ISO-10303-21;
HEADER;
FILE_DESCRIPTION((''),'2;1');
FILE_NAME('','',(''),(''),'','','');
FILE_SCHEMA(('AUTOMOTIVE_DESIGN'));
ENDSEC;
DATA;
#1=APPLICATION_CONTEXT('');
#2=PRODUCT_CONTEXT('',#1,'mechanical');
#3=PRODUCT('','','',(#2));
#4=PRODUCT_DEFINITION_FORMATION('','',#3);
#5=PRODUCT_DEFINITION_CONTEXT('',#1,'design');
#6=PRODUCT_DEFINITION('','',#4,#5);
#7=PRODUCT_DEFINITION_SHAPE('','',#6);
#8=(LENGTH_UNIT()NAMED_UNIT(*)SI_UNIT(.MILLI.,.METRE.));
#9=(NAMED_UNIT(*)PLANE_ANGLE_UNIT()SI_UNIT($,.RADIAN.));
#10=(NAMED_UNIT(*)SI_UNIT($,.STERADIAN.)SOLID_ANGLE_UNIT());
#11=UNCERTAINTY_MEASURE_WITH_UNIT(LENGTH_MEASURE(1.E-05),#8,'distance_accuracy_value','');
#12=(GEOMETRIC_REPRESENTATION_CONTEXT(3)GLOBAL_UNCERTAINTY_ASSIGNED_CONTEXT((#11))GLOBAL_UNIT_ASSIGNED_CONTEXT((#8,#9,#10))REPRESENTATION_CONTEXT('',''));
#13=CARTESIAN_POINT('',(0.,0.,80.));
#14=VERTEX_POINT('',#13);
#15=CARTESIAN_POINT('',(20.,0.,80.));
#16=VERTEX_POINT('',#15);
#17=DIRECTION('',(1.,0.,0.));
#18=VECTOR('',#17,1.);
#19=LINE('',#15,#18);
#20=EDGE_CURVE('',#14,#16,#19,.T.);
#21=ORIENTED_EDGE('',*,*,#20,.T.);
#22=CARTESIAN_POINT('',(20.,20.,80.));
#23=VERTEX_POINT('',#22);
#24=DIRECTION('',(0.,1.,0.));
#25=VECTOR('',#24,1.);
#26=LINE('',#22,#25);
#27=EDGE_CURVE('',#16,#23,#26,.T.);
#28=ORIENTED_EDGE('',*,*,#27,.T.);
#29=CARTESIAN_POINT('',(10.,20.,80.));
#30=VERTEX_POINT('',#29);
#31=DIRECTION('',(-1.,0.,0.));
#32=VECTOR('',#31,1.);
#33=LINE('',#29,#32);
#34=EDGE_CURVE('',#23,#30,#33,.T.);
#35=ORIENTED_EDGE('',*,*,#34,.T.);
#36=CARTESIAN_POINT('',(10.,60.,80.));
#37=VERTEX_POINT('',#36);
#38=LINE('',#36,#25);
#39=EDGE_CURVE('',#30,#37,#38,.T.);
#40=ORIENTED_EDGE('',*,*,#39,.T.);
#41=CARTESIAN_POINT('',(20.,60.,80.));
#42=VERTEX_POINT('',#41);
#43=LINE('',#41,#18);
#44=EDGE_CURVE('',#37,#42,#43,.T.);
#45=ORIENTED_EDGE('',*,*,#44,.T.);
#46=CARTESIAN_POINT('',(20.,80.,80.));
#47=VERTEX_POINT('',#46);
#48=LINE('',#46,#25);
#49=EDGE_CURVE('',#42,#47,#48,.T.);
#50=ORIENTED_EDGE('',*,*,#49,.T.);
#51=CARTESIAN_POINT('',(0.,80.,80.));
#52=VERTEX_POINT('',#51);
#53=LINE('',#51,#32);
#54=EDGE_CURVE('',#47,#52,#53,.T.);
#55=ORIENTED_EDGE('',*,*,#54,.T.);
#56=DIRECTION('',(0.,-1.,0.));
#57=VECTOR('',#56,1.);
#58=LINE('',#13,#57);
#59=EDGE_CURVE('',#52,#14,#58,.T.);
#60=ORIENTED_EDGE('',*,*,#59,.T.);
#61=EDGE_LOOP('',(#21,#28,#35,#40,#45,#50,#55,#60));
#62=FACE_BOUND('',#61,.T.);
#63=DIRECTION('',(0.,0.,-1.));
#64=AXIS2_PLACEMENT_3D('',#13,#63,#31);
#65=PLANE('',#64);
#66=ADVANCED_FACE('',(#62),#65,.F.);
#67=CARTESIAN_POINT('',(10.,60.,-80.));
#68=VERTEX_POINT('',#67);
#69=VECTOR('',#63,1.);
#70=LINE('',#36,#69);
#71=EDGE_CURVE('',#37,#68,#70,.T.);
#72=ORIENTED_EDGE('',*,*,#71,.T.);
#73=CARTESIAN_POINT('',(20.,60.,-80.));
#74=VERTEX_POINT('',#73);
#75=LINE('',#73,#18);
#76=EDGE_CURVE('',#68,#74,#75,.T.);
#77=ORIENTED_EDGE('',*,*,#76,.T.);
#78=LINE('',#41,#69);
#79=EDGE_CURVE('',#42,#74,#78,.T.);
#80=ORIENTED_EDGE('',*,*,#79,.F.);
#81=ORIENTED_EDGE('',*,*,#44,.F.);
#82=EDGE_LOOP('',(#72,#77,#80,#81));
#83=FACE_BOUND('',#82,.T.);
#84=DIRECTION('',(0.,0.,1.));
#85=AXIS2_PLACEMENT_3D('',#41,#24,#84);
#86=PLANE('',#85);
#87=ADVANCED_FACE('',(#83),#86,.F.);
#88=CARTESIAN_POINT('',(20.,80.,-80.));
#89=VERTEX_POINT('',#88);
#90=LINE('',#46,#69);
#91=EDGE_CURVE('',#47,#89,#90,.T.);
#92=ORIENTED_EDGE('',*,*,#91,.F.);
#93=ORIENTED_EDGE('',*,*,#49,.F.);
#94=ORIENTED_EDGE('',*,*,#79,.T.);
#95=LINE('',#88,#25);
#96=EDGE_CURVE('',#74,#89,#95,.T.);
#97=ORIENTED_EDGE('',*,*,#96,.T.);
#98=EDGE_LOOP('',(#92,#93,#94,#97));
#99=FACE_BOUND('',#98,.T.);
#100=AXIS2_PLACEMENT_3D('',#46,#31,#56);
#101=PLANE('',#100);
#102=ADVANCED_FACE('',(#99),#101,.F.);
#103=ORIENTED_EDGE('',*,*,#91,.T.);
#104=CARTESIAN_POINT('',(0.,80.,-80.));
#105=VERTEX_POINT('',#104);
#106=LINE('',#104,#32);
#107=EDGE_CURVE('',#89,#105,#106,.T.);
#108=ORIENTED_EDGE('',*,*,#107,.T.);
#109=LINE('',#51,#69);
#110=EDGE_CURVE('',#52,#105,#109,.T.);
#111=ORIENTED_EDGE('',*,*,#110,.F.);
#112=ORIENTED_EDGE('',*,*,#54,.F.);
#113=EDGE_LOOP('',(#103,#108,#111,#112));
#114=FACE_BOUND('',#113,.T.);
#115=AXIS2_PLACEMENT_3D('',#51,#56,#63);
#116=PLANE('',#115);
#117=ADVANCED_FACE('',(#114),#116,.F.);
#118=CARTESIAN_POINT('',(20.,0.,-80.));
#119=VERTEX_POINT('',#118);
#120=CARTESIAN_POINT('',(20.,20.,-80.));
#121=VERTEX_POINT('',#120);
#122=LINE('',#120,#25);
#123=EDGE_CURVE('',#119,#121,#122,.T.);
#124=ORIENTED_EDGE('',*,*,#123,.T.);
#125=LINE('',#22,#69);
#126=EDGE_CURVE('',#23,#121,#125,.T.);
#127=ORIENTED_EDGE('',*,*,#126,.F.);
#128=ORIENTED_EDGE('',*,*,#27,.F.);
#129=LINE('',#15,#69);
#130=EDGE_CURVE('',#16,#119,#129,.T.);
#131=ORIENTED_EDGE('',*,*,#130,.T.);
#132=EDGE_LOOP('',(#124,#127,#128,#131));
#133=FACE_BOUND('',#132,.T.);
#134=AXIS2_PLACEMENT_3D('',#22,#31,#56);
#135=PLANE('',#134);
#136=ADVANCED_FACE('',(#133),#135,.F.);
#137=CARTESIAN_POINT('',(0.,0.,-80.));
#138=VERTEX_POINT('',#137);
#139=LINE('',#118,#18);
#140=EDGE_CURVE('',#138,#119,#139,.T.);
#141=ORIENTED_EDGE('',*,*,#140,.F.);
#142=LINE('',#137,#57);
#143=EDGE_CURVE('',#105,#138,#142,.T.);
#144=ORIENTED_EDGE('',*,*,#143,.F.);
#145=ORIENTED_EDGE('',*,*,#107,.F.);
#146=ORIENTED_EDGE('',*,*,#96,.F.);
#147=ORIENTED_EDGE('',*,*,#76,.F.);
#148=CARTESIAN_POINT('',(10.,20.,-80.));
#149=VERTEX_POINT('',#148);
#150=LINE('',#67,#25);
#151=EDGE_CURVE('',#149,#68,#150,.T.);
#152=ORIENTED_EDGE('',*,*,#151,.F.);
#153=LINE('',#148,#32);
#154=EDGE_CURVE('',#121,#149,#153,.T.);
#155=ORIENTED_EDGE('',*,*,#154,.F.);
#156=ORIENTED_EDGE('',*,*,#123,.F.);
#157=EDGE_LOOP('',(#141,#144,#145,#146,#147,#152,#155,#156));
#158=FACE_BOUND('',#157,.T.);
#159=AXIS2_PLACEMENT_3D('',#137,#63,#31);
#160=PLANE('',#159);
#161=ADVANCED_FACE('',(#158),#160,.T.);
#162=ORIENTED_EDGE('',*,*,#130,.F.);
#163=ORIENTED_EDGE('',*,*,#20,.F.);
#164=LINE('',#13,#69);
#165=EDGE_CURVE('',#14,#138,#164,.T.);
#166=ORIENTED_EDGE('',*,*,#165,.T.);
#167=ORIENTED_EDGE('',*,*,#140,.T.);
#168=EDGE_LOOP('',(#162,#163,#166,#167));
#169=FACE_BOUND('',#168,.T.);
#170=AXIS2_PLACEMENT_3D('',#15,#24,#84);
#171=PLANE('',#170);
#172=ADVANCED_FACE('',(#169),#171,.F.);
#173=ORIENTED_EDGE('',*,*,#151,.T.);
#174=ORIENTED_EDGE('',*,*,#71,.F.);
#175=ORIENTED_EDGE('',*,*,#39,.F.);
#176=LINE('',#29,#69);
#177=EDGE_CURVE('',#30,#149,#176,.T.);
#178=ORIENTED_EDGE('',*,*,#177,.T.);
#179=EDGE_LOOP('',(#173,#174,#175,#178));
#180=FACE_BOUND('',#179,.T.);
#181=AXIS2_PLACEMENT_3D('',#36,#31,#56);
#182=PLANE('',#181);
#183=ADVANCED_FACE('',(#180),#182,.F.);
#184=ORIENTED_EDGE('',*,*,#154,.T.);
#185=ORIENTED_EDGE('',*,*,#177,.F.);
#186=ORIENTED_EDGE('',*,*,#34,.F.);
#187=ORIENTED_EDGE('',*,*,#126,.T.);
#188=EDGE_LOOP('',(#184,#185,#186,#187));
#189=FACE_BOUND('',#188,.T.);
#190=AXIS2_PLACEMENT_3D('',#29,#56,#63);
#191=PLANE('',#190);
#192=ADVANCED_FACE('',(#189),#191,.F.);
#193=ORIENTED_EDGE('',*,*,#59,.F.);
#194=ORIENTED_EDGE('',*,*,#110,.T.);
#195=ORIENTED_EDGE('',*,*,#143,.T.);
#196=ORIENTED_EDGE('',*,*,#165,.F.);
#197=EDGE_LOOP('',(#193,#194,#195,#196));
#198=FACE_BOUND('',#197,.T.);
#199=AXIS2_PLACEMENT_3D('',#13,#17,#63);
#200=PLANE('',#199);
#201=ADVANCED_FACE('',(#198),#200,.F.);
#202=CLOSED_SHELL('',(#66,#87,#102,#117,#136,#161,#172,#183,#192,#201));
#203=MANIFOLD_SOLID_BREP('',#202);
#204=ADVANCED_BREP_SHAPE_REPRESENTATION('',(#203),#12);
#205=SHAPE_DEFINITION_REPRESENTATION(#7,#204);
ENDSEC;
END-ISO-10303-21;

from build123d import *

# Parameters (mm, degrees)
BOSS_EXTRUDE1_DEPTH = 80


with BuildPart() as part:
    # Sketch1 → Boss-Extrude1 (new, symmetric)
    with BuildSketch(Plane.XY):
        Polygon((0, 0), (0, 80), (20, 80), (20, 60), (10, 60), (10, 20), (20, 20), (20, 0), align=None)
    extrude(amount=BOSS_EXTRUDE1_DEPTH, both=True)


solid = part.part
